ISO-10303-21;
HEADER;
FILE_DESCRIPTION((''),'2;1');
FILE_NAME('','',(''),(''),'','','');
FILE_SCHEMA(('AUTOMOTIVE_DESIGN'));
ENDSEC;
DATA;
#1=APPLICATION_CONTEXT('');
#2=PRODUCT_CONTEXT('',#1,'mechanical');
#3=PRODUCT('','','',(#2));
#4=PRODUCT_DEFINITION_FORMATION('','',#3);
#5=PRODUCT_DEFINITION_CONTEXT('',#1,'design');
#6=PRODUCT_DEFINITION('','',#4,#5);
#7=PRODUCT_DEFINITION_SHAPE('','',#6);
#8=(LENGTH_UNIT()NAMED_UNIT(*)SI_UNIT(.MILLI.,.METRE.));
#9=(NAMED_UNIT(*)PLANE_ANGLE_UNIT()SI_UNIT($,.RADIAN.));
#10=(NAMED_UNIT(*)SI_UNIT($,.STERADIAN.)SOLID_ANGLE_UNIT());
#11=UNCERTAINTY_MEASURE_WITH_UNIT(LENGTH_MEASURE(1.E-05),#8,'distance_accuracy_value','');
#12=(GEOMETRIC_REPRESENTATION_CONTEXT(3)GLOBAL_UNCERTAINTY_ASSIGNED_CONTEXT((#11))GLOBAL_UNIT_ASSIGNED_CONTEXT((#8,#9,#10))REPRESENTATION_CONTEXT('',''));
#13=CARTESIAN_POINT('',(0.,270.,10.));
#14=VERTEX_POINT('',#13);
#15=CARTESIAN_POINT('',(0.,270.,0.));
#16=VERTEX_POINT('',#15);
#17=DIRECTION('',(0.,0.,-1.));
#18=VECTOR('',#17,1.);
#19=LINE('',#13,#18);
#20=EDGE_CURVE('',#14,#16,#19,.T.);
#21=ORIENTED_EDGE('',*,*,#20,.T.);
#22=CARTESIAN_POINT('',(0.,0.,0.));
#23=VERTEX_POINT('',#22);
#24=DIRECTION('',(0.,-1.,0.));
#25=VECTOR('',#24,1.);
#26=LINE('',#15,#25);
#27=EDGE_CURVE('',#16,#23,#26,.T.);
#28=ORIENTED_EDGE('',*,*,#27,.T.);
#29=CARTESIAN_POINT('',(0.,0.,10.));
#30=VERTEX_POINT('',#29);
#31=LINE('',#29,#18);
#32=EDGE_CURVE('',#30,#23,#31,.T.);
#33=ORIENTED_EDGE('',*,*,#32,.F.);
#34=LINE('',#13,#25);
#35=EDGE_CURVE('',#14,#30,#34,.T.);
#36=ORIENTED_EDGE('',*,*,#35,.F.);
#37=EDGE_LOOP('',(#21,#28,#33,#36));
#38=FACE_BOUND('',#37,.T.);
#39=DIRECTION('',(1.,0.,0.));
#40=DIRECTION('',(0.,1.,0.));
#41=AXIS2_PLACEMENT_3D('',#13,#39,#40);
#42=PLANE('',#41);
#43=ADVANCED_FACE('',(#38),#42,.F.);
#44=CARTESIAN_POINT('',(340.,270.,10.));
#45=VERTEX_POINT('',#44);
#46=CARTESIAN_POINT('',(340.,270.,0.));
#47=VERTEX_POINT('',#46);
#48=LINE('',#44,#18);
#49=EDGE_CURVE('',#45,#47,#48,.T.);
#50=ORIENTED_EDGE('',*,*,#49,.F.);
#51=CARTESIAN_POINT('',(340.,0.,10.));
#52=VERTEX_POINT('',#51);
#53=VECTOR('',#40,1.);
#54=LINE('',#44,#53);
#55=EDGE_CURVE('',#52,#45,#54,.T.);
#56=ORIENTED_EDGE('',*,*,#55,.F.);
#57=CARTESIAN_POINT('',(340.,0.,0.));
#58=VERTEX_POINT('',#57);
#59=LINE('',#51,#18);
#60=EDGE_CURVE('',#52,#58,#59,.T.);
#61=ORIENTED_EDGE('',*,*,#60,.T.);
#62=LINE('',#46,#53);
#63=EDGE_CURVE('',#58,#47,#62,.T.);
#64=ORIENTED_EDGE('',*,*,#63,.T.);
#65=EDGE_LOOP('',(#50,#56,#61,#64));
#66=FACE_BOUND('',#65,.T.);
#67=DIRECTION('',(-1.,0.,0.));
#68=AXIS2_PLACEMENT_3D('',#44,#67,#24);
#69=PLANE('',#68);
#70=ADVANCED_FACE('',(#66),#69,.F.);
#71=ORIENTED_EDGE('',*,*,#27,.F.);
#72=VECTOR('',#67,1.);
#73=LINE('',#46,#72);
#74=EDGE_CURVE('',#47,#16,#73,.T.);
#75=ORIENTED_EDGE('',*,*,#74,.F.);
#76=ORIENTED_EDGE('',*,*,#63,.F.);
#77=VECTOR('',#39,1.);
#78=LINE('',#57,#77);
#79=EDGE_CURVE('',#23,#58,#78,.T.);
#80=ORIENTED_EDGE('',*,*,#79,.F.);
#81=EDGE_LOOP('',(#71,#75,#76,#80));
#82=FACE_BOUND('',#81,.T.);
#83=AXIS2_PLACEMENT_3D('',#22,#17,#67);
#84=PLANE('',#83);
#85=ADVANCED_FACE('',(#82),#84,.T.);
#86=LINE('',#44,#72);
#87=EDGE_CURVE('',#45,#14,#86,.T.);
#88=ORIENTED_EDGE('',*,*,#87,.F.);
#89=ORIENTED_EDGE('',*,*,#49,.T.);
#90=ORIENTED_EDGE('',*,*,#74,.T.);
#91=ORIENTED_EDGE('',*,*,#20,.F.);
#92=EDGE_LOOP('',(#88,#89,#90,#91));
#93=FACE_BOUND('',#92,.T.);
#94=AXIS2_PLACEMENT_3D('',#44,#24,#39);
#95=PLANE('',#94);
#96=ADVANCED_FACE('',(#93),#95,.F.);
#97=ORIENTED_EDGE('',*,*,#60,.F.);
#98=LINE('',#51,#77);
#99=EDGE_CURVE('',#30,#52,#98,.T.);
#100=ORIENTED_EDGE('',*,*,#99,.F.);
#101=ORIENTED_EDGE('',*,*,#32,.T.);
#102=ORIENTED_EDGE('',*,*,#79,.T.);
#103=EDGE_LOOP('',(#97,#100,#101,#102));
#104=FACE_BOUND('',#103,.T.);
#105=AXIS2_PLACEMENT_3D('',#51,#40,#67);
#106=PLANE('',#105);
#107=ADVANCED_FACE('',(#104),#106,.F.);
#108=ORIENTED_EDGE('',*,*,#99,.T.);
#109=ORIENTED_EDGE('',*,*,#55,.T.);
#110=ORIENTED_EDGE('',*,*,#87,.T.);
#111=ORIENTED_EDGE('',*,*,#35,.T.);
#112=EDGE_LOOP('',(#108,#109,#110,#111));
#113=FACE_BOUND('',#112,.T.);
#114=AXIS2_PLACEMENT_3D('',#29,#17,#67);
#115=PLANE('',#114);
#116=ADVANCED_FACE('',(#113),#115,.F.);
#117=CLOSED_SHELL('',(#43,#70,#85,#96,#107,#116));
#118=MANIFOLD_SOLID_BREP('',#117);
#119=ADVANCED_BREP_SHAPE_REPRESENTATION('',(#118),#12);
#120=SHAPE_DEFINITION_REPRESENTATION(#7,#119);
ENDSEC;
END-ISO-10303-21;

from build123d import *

# Parameters (mm, degrees)
SKETCH1_W           = 340
SKETCH1_H           = 270
BOSS_EXTRUDE1_DEPTH = 10


with BuildPart() as part:
    # Sketch1 → Boss-Extrude1 (new body)
    with BuildSketch(Plane.XY):
        with Locations((170, 135)):
            Rectangle(SKETCH1_W, SKETCH1_H)
    extrude(amount=BOSS_EXTRUDE1_DEPTH)


solid = part.part
